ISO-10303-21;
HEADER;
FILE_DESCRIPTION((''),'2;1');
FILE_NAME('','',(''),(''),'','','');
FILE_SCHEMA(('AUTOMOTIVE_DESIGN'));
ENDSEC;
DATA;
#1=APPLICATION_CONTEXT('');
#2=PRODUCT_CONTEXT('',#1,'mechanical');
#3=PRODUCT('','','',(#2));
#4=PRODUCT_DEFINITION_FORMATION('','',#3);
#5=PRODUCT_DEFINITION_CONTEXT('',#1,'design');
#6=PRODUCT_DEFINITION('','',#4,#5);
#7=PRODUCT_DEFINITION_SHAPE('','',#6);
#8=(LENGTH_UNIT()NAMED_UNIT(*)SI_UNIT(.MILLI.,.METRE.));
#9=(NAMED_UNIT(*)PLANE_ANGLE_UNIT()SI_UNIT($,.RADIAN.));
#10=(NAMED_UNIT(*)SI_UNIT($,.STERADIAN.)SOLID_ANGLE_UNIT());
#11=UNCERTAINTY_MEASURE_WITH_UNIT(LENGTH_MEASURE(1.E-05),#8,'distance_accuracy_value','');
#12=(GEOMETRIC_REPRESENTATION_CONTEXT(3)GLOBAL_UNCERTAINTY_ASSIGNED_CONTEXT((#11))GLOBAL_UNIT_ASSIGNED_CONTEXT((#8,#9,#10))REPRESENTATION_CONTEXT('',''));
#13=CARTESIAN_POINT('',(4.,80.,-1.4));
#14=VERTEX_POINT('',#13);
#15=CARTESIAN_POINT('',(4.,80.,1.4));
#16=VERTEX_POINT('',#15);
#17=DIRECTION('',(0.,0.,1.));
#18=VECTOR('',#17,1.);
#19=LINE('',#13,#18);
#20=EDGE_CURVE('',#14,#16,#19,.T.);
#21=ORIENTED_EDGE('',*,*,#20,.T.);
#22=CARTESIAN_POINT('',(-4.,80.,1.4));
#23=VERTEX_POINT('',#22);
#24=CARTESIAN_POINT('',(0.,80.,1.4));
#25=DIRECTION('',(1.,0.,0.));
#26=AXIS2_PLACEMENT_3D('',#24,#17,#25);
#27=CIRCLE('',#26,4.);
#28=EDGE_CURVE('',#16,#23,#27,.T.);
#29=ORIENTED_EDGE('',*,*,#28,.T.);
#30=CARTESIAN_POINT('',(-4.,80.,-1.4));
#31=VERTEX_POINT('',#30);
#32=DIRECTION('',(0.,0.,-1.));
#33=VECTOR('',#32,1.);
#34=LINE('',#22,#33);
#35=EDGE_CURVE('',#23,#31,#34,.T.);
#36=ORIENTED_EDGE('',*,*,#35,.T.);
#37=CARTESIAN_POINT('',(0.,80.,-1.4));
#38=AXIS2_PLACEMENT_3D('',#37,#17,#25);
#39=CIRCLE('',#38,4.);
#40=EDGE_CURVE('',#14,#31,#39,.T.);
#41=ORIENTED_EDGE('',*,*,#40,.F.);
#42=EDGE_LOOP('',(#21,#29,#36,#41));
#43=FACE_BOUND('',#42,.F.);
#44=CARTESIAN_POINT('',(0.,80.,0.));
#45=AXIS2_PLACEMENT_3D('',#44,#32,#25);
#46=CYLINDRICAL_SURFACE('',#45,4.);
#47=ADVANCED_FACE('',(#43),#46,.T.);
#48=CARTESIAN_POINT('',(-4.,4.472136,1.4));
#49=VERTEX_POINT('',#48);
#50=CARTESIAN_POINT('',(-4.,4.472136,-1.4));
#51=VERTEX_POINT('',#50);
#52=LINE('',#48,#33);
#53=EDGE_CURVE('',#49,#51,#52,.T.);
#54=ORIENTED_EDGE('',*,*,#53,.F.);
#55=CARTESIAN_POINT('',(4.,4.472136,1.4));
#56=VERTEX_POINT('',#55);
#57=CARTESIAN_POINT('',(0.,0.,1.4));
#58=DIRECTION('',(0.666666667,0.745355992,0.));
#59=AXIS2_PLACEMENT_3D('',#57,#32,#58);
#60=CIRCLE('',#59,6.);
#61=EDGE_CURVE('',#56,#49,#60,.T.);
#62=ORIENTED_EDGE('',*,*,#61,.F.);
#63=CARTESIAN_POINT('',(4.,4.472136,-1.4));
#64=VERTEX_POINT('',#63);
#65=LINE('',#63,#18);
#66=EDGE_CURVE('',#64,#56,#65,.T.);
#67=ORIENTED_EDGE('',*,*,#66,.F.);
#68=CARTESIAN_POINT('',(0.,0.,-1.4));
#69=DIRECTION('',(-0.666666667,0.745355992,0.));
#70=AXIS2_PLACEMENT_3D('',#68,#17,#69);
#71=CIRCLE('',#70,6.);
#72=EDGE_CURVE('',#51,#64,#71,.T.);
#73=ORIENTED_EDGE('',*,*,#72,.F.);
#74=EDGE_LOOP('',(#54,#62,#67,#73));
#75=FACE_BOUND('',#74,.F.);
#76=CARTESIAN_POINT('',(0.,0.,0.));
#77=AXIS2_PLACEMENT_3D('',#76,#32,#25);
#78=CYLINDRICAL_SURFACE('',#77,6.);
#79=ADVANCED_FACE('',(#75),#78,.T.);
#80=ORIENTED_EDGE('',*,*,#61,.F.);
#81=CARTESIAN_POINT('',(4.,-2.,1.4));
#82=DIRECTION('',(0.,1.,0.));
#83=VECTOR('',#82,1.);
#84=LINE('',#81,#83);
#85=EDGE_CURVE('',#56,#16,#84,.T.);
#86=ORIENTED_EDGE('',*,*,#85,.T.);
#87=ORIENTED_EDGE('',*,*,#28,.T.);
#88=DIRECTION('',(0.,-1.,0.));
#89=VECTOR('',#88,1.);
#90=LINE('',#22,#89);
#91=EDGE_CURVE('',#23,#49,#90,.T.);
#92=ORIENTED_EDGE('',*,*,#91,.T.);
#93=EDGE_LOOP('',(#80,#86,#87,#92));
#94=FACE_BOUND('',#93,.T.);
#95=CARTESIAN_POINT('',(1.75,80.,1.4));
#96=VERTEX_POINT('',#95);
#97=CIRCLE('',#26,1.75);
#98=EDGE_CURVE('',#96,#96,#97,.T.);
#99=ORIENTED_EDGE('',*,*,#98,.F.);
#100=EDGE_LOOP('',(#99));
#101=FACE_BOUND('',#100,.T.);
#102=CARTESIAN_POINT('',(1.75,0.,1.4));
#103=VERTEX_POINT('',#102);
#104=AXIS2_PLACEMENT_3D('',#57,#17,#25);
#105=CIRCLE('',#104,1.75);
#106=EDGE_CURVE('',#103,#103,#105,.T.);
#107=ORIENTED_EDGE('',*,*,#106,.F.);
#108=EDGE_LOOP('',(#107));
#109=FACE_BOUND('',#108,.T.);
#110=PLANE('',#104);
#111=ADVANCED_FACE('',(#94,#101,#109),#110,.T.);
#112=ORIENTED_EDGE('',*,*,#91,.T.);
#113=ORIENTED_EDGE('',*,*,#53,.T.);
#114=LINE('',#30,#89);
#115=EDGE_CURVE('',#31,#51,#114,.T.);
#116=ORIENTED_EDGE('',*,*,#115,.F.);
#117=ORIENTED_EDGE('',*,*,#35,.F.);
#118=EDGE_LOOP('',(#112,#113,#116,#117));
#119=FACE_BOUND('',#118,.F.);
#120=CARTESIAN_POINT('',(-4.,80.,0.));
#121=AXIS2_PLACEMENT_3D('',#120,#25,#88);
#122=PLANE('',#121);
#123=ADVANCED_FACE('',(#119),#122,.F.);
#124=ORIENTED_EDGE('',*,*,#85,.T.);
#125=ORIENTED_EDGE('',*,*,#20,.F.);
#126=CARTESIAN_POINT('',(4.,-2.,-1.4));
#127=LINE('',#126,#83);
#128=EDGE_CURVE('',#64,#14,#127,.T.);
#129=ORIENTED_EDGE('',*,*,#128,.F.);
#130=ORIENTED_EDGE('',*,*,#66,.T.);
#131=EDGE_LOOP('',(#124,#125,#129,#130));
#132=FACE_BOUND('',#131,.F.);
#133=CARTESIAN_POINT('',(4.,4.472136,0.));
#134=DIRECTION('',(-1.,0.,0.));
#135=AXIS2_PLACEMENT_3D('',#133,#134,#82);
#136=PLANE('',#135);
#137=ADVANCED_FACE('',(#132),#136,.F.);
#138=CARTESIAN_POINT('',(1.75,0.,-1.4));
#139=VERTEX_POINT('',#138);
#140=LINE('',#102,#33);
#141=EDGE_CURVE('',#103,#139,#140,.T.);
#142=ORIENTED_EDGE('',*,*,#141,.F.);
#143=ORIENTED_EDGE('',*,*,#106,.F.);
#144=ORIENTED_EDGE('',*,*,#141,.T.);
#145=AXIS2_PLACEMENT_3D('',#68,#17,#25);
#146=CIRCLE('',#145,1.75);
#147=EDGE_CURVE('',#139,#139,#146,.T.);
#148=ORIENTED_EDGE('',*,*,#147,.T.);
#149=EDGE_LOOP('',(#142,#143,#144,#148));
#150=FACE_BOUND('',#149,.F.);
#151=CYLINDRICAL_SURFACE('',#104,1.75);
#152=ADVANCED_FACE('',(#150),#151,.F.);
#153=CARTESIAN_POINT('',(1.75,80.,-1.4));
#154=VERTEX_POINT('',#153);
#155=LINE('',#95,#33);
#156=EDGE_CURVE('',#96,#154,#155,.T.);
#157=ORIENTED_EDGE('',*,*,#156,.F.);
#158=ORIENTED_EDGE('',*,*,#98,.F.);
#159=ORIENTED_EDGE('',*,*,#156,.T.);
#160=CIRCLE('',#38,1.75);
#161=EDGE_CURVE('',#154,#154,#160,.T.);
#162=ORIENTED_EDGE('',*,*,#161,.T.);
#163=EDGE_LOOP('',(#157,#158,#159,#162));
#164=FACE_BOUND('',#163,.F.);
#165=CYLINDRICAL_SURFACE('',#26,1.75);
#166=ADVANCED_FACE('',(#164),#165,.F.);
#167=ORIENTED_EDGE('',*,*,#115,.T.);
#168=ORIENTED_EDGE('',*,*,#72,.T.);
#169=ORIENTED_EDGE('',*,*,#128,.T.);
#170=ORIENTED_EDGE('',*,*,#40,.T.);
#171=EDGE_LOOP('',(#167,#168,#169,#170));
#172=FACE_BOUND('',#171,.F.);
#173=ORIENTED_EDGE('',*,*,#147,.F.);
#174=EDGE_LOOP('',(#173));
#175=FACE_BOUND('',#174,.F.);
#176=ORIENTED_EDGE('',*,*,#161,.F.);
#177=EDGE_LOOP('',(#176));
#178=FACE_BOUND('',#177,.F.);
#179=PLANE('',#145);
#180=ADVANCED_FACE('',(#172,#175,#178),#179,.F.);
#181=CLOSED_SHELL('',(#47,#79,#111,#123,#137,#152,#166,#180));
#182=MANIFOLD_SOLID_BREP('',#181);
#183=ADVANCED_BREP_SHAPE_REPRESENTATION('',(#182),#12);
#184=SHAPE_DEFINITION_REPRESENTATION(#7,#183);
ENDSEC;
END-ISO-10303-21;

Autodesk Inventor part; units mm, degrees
ref_plane "YZ Plane" through (0, 0, 0) normal (1, 0, 0) x (0, 1, 0)
ref_plane "XZ Plane" through (0, 0, 0) normal (0, 1, 0) x (-1, 0, 0)
ref_plane "XY Plane" through (0, 0, 0) normal (0, 0, 1) x (1, 0, 0)
sketch "Sketch1" plane through (0, 0, 0) normal (0, 0, 1) x (1, 0, 0)
  circle A0 centre (0, 0) radius 6
  line L0 (0, -2) -> (0, 80) construction
  line L1 (4, -2) -> (4, 80)
  line L2 (-4, 80) -> (-4, -2)
  arc A1 (-4, -2) -> (4, -2) centre (0, -2) ccw
  arc A2 (4, 80) -> (-4, 80) centre (0, 80) ccw
  point P0 (0, 39)
  dimension "d0" = 12
  dimension "d1" = 8
  dimension "d2" = 80
extrude "Extrusion1" add sketch "Sketch1" along normal mid plane 2.8
sketch "Sketch2" plane through (0, 0, 1.4) normal (0, 0, 1) x (1, 0, 0)
  arc A0 (4, 80) -> (-4, 80) centre (0, 80) ccw construction
  arc A1 (-4, 4.4721) -> (4, 4.4721) centre (0, 0) ccw construction
  circle A2 centre (0, 0) radius 1.75
  circle A3 centre (0, 80) radius 1.75
  line L0 (0, 12.7) -> (0, 5.7) construction
  line L1 (-1.3, 11.4) -> (-1.3, 7)
  line L2 (1.3, 7) -> (1.3, 11.4)
  arc A4 (1.3, 11.4) -> (-1.3, 11.4) centre (0, 11.4) ccw
  arc A5 (-1.3, 7) -> (1.3, 7) centre (0, 7) ccw
  point P0 (0, 9.2)
  dimension "d5" = 7
  dimension "d6" = 2.6
  dimension "d7" = 7
  dimension "d8" = 3.5
  dimension "d9" = 3.5
extrude "Extrusion2" cut sketch "Sketch2" against normal through all contours A2 | A3
